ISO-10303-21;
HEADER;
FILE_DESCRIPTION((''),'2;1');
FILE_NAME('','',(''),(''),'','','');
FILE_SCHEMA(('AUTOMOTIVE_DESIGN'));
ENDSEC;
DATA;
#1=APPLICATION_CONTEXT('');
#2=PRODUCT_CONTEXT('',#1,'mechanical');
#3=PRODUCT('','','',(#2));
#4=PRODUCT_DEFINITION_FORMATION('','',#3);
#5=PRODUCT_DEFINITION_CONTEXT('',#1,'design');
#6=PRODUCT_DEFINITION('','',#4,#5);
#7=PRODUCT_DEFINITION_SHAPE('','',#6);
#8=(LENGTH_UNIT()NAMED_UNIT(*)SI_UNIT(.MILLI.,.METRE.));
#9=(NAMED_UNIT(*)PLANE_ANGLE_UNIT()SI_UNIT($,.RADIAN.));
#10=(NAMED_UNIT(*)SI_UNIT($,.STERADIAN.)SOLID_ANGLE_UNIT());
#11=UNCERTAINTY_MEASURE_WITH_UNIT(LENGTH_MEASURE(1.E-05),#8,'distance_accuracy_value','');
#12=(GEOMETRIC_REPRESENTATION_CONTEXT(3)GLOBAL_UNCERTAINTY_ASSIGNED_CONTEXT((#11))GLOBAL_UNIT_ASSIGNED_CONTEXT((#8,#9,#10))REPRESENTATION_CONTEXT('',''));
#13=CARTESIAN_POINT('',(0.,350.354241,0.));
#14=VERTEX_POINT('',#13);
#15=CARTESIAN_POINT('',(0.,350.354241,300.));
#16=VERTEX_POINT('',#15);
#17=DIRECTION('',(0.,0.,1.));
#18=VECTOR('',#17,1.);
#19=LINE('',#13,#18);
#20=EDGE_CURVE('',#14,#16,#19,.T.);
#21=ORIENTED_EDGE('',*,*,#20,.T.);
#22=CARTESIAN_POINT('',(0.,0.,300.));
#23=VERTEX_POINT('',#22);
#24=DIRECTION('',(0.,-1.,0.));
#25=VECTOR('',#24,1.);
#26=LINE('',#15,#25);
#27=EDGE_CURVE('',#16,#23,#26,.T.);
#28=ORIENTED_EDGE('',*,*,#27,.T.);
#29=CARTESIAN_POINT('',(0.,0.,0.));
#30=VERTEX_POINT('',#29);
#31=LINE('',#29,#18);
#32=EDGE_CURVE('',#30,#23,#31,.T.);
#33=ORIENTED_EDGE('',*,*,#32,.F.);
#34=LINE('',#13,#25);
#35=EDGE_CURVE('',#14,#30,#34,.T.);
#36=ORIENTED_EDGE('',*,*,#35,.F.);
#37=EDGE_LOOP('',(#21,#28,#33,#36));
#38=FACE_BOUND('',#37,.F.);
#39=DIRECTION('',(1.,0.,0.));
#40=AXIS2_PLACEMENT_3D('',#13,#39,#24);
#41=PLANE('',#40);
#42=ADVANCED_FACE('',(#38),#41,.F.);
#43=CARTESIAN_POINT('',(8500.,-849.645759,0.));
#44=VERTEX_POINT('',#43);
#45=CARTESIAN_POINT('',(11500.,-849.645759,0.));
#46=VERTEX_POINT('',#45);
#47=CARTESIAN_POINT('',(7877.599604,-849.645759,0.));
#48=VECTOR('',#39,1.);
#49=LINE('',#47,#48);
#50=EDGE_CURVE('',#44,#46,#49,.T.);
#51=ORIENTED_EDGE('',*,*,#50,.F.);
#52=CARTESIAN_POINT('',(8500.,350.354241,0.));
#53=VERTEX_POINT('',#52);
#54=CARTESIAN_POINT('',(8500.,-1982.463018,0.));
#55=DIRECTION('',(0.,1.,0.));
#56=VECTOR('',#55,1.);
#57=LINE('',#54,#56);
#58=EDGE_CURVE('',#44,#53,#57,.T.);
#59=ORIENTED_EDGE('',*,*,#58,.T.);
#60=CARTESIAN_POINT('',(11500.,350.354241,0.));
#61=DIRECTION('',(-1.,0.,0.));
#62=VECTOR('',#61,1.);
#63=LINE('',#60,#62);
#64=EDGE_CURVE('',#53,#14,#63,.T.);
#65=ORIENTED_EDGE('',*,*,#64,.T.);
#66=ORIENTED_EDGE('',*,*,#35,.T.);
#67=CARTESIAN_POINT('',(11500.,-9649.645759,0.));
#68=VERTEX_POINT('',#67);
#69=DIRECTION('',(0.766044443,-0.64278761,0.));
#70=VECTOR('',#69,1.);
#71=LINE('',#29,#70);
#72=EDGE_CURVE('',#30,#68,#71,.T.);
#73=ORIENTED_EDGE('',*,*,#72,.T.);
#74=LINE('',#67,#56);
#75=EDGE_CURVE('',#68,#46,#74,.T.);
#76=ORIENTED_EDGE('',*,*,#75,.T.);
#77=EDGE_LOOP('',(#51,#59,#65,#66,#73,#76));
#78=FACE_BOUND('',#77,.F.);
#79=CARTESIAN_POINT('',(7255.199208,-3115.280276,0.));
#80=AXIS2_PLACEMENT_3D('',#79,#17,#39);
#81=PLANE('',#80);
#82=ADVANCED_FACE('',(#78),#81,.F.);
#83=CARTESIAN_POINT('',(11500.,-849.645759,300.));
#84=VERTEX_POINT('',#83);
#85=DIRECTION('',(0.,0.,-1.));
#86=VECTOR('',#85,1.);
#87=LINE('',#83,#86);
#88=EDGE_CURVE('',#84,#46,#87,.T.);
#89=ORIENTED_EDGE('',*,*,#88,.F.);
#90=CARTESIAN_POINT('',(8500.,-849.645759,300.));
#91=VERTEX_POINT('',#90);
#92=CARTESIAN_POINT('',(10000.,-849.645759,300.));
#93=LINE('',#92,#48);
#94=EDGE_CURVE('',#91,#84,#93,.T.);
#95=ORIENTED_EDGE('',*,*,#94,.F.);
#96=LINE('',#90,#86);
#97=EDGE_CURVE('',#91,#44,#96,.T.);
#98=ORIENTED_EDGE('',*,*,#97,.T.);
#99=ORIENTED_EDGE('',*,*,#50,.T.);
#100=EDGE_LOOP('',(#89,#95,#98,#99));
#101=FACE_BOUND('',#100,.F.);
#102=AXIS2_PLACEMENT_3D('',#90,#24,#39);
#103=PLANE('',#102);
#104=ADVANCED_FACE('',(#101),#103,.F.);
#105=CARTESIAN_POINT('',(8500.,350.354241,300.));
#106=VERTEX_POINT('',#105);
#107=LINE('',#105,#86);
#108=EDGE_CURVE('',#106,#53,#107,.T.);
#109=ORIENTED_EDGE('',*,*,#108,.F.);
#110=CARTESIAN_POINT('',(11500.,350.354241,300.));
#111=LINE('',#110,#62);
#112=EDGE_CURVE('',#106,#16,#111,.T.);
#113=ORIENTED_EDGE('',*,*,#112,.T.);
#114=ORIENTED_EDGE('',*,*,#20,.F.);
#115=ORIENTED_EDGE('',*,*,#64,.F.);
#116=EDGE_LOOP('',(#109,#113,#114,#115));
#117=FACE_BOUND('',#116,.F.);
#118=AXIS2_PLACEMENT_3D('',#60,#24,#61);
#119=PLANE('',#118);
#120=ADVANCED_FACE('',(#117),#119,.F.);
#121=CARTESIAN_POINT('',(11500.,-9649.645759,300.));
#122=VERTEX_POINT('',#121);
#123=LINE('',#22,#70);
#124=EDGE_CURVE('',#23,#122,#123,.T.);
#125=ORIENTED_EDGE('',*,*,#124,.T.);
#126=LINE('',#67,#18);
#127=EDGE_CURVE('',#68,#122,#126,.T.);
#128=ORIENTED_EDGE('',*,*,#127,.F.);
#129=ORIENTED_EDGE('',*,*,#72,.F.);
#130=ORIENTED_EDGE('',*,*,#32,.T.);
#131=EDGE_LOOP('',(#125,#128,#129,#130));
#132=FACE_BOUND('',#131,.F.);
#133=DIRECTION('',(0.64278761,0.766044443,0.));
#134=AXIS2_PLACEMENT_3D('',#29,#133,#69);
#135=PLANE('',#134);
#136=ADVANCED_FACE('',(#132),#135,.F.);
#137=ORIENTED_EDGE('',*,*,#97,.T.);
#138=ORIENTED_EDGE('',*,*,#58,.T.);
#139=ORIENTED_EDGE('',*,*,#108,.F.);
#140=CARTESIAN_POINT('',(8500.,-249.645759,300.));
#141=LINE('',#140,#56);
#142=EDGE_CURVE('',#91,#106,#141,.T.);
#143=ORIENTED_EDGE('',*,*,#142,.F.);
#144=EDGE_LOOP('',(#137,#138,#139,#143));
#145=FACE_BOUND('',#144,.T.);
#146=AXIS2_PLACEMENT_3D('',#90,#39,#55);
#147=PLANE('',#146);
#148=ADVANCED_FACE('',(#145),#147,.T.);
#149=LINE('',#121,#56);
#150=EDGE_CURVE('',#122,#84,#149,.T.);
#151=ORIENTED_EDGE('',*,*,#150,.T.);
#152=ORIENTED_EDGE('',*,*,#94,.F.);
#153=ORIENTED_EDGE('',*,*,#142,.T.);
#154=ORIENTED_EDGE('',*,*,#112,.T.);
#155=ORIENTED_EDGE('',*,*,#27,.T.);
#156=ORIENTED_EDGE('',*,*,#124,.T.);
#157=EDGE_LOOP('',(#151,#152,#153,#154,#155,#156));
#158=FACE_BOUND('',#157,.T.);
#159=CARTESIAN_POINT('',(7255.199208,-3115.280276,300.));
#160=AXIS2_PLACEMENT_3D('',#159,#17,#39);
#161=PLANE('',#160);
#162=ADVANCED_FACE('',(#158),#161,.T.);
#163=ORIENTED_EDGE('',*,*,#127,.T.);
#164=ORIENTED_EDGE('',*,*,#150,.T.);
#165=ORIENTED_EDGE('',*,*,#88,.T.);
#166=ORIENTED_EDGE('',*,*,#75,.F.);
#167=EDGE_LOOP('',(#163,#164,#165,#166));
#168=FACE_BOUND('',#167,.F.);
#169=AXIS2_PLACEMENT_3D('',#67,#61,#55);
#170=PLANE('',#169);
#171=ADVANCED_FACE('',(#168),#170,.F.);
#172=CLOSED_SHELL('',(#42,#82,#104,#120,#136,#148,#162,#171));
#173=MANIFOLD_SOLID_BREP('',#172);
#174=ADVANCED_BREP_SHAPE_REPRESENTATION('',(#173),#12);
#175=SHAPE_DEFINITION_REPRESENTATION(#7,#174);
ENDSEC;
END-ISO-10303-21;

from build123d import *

# Parameters (mm, degrees)
F1_DEPTH = 300
F2_W     = 3000
F2_H     = 1200
F3_DEPTH = 300.001


with BuildPart() as f1:
    # F0 (on Top) → F1 (new body)
    with BuildSketch(Plane.XY):
        Polygon((0, 350.354241), (0, 0), (11500, -9649.645759), (11500, 350.354241), align=None)
    extrude(amount=F1_DEPTH)

    # F2 (on face) → F3 (cut, through all)
    with BuildSketch(Plane.XY.offset(300)):
        with Locations((10000, -249.645759)):
            Rectangle(F2_W, F2_H)
    extrude(amount=-F3_DEPTH, mode=Mode.SUBTRACT)


solid = f1.part
